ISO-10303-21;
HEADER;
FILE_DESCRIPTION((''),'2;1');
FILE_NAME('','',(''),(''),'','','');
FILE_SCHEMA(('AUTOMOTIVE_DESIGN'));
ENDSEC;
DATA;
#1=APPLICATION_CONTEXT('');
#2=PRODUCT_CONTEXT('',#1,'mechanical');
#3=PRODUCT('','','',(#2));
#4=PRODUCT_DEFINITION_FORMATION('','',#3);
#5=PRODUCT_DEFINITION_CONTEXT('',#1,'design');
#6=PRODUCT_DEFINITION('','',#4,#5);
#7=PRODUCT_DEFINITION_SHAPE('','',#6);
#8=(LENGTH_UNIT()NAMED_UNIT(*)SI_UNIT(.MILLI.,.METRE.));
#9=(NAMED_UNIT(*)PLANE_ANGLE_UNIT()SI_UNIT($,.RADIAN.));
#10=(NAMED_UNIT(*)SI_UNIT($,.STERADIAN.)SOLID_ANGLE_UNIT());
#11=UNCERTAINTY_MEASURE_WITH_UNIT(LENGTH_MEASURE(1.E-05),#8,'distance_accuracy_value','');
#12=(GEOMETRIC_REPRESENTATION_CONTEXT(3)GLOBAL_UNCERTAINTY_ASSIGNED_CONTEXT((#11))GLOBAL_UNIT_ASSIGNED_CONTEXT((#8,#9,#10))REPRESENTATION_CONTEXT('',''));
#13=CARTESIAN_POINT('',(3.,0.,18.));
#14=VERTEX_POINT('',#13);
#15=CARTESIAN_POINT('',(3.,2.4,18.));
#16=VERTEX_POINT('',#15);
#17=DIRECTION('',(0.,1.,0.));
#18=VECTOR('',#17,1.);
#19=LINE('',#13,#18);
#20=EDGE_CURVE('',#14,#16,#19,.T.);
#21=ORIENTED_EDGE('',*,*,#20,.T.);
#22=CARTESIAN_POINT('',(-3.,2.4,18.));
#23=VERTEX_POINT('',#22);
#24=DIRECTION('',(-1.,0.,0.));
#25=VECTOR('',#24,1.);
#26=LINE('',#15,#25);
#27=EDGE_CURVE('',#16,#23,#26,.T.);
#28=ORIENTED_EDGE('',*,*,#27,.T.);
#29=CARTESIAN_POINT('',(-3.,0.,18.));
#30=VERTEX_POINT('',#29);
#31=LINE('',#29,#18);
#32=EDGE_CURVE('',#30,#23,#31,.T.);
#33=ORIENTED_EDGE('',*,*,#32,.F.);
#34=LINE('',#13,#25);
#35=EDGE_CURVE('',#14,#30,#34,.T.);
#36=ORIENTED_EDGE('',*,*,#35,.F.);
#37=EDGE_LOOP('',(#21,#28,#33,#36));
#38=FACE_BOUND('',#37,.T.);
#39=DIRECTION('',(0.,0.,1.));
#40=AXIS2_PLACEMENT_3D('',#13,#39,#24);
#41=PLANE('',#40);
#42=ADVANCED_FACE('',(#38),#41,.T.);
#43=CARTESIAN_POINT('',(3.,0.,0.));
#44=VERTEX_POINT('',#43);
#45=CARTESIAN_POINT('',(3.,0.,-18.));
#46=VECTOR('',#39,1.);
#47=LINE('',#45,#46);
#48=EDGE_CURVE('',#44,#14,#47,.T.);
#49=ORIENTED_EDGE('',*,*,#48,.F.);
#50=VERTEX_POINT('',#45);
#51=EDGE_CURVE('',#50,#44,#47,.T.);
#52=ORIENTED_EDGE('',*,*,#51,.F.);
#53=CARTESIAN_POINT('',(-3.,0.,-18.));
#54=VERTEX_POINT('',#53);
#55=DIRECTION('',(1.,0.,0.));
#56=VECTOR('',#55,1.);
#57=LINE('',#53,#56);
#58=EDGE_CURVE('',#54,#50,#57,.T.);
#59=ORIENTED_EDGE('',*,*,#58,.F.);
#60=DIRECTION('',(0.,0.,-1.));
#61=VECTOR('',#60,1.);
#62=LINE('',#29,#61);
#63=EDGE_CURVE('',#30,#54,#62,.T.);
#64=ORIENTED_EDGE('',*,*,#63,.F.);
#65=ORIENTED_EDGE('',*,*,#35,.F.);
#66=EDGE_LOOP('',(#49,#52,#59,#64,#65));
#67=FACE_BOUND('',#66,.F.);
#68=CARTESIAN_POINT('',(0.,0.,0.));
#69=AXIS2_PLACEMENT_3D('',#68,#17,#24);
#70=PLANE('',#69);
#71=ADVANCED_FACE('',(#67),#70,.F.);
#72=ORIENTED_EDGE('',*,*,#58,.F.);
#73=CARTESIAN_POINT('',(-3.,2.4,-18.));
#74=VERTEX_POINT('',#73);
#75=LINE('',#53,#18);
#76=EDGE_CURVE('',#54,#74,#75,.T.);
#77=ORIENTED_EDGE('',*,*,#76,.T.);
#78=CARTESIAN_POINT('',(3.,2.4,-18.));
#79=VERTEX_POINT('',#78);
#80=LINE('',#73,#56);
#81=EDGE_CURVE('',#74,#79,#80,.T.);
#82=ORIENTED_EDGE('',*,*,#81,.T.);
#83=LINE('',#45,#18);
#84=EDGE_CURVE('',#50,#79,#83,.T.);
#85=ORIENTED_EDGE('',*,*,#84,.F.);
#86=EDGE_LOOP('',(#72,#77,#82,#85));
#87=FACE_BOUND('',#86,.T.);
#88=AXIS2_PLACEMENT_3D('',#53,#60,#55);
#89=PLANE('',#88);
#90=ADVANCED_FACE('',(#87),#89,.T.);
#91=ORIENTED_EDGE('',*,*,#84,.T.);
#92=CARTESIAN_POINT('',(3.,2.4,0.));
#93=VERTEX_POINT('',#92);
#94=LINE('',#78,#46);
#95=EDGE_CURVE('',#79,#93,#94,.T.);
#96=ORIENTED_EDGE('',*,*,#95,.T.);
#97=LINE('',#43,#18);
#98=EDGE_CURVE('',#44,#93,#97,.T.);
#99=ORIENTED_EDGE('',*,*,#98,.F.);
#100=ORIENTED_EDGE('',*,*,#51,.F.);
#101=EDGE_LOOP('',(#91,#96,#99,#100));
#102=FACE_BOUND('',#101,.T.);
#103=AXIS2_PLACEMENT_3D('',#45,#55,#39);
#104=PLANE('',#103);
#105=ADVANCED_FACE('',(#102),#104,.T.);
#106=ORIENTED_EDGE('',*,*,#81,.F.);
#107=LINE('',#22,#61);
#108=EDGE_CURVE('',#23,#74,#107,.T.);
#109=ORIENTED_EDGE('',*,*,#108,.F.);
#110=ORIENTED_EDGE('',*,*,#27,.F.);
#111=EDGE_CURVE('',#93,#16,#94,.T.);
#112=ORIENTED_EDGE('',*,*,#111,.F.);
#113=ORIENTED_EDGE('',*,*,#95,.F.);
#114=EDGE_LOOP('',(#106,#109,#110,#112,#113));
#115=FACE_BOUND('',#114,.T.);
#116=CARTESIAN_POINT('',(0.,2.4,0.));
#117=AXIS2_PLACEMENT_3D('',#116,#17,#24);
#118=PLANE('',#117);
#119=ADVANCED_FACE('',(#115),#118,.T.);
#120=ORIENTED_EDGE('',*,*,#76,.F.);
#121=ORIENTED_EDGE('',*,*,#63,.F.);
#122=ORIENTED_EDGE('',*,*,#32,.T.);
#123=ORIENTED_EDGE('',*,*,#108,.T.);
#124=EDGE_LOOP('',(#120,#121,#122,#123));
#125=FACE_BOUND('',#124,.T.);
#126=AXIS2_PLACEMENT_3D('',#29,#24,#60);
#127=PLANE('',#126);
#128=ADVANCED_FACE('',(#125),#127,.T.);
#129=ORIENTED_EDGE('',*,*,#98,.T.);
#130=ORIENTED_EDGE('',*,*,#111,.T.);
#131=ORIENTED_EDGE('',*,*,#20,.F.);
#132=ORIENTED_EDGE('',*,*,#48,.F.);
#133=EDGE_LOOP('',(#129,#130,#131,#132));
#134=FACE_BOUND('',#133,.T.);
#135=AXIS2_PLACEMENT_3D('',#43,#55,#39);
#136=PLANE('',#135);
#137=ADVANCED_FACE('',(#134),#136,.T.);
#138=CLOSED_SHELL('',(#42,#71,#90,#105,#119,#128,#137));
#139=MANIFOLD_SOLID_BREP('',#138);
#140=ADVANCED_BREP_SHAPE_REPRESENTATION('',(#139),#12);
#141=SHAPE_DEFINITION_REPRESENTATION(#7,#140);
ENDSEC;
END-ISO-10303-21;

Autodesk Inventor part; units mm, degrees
ref_plane "YZ Plane" through (0, 0, 0) normal (1, 0, 0) x (0, 1, 0)
ref_plane "XZ Plane" through (0, 0, 0) normal (0, 1, 0) x (-1, 0, 0)
ref_plane "XY Plane" through (0, 0, 0) normal (0, 0, 1) x (1, 0, 0)
sketch "Náčrt1" plane through (0, 0, 0) normal (0, 0, 1) x (1, 0, 0)
  point P0 (0, 0)
sketch "Náčrt2" plane through (0, 0, 0) normal (0, 1, 0) x (-1, 0, 0)
  line L0 (0, 0) -> (-3, 0)
  line L1 (-3, 0) -> (-3, 18) construction
  line L2 (-3, 18) -> (0, 18) construction
  line L3 (0, 18) -> (0, 0) construction
  line L4 (-3, 18) -> (3, 18)
  line L5 (3, 18) -> (3, -18)
  line L6 (3, -18) -> (-3, -18)
  line L7 (-3, -18) -> (-3, 18)
  dimension "d0" = 3
  dimension "d1" = 18
  dimension "d2" = 6
  dimension "d3" = 36
extrude "Vysunutí1" add sketch "Náčrt2" along normal blind 2.4
properties part number "ochrana li-ion baterie"
